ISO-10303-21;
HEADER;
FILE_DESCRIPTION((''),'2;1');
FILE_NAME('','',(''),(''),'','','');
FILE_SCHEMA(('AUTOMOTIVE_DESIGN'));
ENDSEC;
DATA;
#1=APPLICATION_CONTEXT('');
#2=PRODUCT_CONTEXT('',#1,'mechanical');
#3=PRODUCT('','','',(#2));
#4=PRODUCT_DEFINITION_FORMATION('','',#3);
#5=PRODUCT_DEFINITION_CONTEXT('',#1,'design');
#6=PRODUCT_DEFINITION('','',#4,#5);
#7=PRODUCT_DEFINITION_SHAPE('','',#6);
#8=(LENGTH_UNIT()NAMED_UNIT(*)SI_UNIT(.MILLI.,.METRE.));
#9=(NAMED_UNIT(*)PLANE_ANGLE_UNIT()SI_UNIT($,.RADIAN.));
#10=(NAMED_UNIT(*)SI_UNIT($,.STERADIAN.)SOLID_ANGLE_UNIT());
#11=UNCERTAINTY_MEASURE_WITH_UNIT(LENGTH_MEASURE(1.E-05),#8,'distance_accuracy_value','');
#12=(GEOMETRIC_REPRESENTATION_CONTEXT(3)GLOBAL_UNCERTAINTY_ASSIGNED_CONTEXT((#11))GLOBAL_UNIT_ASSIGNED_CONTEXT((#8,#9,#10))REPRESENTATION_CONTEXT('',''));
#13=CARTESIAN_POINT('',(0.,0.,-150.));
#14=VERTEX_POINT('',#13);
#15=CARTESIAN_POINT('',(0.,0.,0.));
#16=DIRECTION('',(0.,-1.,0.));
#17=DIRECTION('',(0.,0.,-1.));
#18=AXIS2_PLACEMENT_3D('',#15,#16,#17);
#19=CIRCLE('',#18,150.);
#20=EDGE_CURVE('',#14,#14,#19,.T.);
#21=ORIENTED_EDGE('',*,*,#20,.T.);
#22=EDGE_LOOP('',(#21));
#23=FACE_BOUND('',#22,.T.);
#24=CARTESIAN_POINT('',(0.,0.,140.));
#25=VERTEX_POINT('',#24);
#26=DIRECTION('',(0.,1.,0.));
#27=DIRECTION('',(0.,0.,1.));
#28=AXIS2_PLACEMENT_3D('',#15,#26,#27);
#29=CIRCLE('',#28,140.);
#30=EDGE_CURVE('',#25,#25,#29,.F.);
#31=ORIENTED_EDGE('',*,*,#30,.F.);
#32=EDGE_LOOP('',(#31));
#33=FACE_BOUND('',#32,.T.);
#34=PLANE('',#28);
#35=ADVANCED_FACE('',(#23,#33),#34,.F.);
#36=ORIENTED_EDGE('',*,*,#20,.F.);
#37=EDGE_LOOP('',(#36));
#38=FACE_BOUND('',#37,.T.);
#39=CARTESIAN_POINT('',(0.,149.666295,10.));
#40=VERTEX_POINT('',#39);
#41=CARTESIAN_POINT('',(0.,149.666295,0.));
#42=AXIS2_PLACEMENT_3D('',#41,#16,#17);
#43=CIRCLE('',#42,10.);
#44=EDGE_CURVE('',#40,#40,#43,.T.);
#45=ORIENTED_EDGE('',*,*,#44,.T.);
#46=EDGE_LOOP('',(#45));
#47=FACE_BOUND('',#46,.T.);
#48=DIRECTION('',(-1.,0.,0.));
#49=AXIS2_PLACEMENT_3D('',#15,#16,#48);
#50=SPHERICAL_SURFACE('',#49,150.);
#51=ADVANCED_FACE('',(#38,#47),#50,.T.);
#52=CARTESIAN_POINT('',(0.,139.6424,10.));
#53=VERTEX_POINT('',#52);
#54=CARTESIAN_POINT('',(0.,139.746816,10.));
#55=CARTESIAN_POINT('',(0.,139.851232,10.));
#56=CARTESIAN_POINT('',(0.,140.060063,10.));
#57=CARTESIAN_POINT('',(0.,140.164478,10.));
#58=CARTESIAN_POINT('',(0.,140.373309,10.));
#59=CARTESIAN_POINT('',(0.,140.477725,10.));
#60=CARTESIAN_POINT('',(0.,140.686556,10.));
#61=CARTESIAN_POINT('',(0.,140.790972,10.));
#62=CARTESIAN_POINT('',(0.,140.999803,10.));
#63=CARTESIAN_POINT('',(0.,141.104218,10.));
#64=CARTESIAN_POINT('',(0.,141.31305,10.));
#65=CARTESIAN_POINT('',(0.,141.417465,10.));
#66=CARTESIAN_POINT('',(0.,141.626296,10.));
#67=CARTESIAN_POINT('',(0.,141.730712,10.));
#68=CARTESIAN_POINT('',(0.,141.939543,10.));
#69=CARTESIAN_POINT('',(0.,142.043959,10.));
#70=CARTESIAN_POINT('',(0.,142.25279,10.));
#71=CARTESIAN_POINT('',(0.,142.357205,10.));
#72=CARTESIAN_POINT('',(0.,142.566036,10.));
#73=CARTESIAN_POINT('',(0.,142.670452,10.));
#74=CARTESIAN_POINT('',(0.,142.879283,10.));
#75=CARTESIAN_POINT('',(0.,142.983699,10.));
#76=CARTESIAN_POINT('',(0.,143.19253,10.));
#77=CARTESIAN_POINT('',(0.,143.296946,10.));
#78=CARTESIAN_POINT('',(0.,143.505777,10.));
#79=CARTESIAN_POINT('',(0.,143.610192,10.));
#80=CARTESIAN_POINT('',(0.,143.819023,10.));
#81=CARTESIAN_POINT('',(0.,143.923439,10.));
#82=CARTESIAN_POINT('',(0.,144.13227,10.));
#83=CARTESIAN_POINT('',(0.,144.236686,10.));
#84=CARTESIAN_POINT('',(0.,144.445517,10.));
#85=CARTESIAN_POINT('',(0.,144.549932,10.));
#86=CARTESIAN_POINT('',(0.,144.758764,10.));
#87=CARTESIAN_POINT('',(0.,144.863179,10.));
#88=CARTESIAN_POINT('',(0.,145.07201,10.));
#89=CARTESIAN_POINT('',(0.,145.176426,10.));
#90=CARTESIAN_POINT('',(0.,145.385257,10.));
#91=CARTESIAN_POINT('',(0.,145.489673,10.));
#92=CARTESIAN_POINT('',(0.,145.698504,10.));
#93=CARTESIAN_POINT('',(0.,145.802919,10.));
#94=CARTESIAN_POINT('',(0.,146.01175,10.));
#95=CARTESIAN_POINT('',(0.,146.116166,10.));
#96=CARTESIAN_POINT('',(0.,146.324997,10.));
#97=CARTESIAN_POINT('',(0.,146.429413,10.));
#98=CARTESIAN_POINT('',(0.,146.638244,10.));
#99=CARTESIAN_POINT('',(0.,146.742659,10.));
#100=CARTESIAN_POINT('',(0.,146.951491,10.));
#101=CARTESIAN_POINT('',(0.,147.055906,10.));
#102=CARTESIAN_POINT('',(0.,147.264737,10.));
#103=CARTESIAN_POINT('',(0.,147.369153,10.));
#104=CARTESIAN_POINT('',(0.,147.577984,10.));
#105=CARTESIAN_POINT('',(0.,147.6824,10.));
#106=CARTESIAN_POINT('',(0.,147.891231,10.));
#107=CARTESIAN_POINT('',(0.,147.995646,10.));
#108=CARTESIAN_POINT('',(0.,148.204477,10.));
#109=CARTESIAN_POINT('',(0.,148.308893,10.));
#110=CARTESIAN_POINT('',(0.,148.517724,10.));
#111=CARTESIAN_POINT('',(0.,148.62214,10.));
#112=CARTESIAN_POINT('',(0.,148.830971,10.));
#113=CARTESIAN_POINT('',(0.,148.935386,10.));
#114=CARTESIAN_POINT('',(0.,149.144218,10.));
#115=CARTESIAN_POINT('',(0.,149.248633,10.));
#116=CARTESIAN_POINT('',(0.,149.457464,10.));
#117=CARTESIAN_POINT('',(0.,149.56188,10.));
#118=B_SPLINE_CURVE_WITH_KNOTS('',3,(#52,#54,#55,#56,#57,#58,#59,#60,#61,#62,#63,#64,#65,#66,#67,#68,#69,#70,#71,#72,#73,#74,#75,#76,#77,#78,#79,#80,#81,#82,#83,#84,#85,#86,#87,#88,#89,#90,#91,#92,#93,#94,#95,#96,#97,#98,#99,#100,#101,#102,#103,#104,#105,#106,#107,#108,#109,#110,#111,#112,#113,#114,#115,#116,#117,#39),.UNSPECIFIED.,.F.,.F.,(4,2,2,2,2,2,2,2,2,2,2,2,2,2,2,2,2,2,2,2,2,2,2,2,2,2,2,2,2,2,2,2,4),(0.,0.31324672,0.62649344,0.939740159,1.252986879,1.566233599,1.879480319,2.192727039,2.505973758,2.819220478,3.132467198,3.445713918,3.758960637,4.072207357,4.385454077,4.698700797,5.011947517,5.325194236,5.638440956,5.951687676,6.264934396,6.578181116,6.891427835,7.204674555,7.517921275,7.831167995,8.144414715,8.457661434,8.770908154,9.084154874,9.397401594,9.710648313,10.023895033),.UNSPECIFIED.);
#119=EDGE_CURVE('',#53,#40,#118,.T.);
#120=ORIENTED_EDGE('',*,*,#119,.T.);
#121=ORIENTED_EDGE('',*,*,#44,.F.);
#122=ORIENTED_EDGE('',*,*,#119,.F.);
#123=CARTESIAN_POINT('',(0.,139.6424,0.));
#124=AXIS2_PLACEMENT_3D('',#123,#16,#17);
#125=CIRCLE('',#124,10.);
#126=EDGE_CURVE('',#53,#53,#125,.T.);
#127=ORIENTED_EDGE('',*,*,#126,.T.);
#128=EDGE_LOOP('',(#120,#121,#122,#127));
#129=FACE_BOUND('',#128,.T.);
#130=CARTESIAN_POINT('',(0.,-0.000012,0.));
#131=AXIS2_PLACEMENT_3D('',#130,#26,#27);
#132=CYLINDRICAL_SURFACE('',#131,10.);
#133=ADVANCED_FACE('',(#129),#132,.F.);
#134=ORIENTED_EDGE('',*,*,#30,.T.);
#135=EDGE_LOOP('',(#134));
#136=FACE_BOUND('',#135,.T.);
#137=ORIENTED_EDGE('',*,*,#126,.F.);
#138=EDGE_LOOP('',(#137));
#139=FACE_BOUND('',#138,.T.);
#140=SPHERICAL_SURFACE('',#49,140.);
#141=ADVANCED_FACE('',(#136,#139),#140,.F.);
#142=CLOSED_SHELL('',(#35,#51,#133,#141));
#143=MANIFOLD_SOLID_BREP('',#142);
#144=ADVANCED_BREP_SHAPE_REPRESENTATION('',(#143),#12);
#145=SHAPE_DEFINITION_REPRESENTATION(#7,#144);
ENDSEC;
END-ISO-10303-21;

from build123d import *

# Parameters (mm, degrees)
SHELL1_T                = -10
SKETCH2_R               = 10
CUT_EXTRUDE3_DEPTH      = 260.807621135
CUT_EXTRUDE3_DEPTH_BACK = 260.807621135


with BuildPart() as part:
    # Sketch1 → Revolve1 (revolve)
    with BuildSketch(Plane.XY):
        with BuildLine():
            Line((0, 0), (0, 150))
            ThreePointArc((0, 150), (-106.066017178, 106.066017178), (-150, 0))
            Line((-150, 0), (0, 0))
        make_face()
    revolve(axis=Axis((0, 0, 0), (0, 1, 0)))

    # Shell1
    shell1_openings = [part.faces().sort_by_distance(p)[0] for p in [
        (0, 0, 0),
    ]]
    offset(amount=SHELL1_T, openings=shell1_openings, kind=Kind.INTERSECTION)

    # Sketch2 → Cut-Extrude3 (cut, two sides)
    with BuildSketch(Plane(origin=(0, 0, 0), x_dir=(1, 0, 0), z_dir=(0, 1, 0))) as cut_extrude3_sk:
        with Locations(Location((0, 0, 0), (0, 0, 270))):
            Circle(SKETCH2_R)
    extrude(amount=CUT_EXTRUDE3_DEPTH, mode=Mode.SUBTRACT)
    extrude(cut_extrude3_sk.sketch, amount=-CUT_EXTRUDE3_DEPTH_BACK, mode=Mode.SUBTRACT)


solid = part.part
